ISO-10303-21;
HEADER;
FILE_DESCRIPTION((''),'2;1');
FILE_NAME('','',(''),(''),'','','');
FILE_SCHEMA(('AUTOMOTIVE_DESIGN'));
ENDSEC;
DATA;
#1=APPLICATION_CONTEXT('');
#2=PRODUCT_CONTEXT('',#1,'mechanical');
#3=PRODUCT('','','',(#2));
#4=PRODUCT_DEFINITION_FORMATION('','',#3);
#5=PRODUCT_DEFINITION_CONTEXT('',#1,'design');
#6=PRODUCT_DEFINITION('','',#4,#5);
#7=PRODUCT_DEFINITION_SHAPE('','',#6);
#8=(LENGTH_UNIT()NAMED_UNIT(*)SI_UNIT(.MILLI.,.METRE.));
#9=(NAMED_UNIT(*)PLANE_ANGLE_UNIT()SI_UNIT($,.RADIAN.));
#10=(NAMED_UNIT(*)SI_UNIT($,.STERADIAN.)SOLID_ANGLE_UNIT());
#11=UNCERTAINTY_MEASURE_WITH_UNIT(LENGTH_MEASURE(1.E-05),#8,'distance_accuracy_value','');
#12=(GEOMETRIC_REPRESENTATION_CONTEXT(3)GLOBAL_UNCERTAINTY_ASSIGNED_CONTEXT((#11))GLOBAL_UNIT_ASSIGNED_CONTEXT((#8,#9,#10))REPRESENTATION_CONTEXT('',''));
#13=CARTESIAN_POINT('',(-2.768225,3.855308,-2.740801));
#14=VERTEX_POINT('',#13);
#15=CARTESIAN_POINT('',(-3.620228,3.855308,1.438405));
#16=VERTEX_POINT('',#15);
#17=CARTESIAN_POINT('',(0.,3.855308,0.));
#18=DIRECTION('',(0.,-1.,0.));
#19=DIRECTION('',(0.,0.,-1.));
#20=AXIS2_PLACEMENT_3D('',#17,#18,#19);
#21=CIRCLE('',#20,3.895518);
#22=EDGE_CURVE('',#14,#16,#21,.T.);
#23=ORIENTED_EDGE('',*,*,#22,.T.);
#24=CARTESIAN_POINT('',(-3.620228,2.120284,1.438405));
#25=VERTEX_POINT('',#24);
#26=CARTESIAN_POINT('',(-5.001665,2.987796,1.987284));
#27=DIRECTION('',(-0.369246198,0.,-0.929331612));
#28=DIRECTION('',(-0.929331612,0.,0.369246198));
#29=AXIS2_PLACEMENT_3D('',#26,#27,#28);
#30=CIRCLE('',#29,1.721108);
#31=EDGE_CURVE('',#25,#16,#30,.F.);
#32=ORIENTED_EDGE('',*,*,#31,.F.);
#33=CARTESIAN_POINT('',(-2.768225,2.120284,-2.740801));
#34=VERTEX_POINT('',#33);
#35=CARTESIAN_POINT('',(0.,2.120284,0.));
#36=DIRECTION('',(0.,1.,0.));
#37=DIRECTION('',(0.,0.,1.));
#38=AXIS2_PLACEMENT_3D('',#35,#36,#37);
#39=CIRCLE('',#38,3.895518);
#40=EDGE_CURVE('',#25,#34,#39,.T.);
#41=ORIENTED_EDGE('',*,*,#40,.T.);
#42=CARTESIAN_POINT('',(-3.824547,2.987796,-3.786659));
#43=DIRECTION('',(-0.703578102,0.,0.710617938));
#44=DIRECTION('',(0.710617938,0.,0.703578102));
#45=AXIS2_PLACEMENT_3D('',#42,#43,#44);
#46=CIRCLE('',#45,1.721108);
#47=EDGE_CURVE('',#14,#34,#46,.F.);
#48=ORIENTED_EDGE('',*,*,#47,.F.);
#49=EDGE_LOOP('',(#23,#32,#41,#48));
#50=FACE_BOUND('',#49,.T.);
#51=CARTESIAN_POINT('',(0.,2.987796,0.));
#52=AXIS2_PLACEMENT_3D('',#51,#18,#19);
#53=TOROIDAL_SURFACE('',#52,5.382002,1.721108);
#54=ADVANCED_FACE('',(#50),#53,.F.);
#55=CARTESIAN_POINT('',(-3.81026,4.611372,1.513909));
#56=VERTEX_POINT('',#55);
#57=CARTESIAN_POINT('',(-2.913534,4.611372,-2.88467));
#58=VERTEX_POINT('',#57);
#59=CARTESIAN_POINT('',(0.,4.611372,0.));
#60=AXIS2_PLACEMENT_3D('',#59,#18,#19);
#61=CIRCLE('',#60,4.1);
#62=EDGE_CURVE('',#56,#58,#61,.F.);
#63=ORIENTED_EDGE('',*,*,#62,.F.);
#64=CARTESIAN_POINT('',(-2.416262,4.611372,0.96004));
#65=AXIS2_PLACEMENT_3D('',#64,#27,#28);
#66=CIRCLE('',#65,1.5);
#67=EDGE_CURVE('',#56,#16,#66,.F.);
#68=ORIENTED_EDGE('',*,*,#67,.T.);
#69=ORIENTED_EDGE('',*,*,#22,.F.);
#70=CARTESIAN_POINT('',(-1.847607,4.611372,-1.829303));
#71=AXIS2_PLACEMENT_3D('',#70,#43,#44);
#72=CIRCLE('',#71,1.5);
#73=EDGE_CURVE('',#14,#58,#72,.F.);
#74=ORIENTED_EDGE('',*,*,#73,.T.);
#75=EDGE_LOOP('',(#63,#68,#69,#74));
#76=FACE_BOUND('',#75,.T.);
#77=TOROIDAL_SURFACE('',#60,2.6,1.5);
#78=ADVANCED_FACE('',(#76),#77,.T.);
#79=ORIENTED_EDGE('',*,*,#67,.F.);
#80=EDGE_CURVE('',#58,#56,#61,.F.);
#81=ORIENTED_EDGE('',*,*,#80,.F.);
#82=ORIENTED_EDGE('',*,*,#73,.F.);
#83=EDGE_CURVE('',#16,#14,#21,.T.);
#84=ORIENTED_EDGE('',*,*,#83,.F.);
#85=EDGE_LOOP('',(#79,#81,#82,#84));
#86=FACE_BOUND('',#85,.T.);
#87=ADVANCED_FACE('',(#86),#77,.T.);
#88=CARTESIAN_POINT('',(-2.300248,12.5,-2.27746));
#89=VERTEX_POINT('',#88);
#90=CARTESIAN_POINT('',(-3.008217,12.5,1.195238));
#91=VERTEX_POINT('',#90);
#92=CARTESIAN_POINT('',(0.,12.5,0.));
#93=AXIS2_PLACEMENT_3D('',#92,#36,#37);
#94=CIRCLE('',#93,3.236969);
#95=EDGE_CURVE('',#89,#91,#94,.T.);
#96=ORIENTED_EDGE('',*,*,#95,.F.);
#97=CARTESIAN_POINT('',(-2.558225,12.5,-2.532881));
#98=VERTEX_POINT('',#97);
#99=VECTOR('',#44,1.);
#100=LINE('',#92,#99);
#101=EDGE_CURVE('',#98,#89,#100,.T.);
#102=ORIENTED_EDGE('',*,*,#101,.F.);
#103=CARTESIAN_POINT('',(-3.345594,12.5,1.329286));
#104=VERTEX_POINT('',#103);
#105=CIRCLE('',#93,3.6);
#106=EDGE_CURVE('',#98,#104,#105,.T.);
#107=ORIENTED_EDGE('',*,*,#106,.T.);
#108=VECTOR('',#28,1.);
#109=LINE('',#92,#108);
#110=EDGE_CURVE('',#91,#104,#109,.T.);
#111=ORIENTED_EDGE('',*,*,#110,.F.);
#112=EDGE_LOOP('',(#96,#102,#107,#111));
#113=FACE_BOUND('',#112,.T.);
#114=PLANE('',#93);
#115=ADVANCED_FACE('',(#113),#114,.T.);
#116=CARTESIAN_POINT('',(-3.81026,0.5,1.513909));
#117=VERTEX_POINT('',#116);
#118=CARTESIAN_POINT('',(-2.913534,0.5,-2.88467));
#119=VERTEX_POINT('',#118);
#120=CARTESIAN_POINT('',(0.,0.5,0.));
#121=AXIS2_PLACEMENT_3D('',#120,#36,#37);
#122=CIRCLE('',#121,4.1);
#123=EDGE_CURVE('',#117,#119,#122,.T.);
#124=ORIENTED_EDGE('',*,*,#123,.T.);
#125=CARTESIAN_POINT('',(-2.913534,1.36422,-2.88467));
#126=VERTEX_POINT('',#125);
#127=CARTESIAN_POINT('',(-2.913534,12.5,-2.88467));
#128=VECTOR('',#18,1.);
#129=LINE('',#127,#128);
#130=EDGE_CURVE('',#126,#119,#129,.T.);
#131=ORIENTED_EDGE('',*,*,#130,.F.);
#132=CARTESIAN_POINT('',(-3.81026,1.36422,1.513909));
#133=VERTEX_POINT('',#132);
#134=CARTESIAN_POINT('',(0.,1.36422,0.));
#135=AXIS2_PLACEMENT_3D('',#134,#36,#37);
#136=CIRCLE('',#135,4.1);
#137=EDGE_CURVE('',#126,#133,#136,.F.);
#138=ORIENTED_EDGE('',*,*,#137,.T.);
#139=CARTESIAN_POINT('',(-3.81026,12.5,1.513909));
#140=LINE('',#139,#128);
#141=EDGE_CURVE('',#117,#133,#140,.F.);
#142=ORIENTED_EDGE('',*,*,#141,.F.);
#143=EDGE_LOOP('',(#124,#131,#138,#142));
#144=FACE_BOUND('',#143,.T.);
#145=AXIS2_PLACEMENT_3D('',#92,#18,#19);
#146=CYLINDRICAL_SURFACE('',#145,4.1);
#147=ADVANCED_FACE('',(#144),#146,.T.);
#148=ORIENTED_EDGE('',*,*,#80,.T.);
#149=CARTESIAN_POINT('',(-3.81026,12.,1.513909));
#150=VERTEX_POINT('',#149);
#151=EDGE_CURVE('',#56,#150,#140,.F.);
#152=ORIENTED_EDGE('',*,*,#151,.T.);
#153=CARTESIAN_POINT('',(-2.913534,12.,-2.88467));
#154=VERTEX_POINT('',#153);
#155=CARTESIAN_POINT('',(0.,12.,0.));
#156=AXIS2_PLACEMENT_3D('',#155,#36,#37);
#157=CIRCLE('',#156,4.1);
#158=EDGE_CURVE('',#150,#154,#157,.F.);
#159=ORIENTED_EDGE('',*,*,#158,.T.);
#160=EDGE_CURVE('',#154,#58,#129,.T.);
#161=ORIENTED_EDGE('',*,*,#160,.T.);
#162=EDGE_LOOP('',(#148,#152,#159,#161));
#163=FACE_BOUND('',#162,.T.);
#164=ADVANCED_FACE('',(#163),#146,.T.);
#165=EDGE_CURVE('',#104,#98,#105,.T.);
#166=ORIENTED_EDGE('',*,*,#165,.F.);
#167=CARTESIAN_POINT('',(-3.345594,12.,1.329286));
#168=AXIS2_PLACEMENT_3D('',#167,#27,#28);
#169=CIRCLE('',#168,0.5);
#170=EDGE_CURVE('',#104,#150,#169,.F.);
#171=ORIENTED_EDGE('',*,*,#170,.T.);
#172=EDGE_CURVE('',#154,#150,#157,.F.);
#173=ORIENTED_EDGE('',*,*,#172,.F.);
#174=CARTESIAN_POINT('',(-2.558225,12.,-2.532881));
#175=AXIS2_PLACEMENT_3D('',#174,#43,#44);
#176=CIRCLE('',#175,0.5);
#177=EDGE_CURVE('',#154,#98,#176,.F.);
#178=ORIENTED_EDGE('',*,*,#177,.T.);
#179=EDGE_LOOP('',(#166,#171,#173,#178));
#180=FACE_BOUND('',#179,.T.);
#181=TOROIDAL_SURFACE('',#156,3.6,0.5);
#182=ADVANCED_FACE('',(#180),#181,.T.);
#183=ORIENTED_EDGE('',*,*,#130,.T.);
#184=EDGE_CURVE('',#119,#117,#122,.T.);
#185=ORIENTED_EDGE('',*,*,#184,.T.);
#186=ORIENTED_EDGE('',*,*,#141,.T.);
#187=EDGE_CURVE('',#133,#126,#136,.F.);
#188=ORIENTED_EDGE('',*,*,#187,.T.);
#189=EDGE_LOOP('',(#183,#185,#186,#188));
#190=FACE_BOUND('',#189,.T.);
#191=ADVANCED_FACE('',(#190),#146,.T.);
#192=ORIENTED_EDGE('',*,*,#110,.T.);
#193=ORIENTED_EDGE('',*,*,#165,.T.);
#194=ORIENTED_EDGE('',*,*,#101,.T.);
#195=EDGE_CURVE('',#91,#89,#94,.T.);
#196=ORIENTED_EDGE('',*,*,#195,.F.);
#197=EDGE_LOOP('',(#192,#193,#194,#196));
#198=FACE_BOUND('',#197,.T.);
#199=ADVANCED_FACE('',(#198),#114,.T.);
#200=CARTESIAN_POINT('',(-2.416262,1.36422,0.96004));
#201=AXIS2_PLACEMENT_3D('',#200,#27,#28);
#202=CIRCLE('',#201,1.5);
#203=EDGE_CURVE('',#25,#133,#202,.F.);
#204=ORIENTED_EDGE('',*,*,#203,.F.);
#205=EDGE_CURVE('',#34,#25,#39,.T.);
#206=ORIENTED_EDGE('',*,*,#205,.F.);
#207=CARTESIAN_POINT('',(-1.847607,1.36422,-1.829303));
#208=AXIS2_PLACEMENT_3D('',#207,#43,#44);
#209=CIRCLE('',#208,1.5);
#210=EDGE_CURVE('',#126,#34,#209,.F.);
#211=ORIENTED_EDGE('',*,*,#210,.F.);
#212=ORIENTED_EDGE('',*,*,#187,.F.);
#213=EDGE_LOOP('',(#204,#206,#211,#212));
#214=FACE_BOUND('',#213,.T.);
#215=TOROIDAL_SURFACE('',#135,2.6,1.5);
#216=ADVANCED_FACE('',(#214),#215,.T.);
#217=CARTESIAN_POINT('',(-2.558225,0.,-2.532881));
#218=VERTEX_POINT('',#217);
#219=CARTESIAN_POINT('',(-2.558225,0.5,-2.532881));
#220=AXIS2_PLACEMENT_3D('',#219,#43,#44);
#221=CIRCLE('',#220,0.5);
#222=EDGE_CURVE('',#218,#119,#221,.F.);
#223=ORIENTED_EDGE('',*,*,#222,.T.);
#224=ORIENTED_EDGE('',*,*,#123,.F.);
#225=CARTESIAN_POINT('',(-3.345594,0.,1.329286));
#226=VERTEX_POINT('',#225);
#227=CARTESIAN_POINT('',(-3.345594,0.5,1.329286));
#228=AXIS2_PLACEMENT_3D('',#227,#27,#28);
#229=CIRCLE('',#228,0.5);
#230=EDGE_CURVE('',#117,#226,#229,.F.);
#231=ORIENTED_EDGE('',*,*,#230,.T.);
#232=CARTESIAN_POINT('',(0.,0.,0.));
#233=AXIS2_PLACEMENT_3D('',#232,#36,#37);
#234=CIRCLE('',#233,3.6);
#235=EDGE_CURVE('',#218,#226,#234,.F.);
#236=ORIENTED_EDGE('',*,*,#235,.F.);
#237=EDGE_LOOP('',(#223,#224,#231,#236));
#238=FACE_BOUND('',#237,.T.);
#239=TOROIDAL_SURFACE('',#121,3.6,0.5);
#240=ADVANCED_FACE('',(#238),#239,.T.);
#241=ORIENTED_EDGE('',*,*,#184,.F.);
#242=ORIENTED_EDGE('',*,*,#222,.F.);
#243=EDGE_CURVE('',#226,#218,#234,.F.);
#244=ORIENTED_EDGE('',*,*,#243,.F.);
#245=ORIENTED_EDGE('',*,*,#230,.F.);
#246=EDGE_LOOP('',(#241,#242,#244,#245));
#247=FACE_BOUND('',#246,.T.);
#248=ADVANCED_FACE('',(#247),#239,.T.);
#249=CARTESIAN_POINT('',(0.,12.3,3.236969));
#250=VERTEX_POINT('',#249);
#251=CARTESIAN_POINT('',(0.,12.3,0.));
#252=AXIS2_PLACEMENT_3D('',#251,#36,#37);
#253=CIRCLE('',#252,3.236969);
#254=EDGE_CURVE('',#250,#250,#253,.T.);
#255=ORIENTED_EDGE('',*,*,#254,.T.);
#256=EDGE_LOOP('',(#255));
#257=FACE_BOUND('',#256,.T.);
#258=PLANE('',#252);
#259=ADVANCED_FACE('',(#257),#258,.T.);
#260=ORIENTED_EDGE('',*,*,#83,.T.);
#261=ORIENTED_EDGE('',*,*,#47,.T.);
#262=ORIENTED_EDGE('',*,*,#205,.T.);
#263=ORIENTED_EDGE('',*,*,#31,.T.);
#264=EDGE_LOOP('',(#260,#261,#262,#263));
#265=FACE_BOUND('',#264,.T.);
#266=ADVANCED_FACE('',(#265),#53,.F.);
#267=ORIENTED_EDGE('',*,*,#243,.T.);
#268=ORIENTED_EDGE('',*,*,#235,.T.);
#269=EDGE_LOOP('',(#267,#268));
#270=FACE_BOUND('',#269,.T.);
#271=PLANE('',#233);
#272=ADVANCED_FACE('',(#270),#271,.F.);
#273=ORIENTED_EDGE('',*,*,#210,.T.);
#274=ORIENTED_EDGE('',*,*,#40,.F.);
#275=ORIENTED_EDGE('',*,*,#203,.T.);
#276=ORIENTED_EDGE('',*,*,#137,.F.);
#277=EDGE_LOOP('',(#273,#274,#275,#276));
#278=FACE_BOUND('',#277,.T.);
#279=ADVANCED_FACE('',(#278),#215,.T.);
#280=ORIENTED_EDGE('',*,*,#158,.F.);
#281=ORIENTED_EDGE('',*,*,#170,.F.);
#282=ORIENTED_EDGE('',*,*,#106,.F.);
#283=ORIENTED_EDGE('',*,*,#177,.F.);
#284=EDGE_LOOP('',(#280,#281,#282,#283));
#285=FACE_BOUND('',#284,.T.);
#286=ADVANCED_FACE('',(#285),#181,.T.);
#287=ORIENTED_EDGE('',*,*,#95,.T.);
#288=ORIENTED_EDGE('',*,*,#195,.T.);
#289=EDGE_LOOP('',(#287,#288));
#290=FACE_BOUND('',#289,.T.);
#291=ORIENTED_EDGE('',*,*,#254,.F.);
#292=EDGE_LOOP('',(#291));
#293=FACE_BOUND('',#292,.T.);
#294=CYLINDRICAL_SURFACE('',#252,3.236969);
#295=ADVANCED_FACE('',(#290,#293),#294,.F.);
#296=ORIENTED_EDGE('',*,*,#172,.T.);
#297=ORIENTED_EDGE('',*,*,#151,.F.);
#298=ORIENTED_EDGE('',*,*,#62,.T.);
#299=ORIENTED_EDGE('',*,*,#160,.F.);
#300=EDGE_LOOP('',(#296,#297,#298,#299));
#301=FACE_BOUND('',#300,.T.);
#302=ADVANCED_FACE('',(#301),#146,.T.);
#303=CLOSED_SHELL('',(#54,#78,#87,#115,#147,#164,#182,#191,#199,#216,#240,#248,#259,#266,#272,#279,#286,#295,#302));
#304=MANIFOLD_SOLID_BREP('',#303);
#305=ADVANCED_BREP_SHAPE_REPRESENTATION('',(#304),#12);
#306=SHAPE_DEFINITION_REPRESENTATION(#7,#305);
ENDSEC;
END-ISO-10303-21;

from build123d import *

# Parameters (mm, degrees)
CROQUIS1_R            = 4.1
EXTRUIR1_DEPTH        = 12.5
CROQUIS2_R            = 1.721107575
REDONDEO1_R           = 0.5
REDONDEO2_R           = 1.5
CROQUIS3_R            = 3.23696878
CORTAR_EXTRUIR1_DEPTH = 0.2


with BuildPart() as part:
    # Croquis1 → Extruir1 (new body)
    with BuildSketch(Plane(origin=(0, 0, 0), x_dir=(1, 0, 0), z_dir=(0, 1, 0))):
        Circle(CROQUIS1_R)
    extrude(amount=EXTRUIR1_DEPTH)

    # Croquis2 → Cortar-Revolución1 (revolve, cut)
    with BuildSketch(Plane(origin=(0, 0, 0), x_dir=(0, 0, -1), z_dir=(1, 0, 0))):
        with Locations((5.382002142, 2.987795872)):
            Circle(CROQUIS2_R)
    revolve(axis=Axis((0, 12.5, 0), (0, 1, 0)), mode=Mode.SUBTRACT)

    # Redondeo1
    redondeo1_edges = [part.edges().sort_by_distance(p)[0] for p in [
        (-4.1, 0, 0),
        (-4.1, 12.5, 0),
    ]]
    fillet(redondeo1_edges, radius=REDONDEO1_R)

    # Redondeo2
    redondeo2_edges = [part.edges().sort_by_distance(p)[0] for p in [
        (2.899137803, 4.136134582, -2.899137803),
        (-2.899137803, 1.839457161, 2.899137803),
    ]]
    fillet(redondeo2_edges, radius=REDONDEO2_R)

    # Croquis3 → Cortar-Extruir1 (cut)
    with BuildSketch(Plane(origin=(0, 12.5, 0), x_dir=(1, 0, 0), z_dir=(0, 1, 0))):
        Circle(CROQUIS3_R)
    extrude(amount=-CORTAR_EXTRUIR1_DEPTH, mode=Mode.SUBTRACT)


solid = part.part
